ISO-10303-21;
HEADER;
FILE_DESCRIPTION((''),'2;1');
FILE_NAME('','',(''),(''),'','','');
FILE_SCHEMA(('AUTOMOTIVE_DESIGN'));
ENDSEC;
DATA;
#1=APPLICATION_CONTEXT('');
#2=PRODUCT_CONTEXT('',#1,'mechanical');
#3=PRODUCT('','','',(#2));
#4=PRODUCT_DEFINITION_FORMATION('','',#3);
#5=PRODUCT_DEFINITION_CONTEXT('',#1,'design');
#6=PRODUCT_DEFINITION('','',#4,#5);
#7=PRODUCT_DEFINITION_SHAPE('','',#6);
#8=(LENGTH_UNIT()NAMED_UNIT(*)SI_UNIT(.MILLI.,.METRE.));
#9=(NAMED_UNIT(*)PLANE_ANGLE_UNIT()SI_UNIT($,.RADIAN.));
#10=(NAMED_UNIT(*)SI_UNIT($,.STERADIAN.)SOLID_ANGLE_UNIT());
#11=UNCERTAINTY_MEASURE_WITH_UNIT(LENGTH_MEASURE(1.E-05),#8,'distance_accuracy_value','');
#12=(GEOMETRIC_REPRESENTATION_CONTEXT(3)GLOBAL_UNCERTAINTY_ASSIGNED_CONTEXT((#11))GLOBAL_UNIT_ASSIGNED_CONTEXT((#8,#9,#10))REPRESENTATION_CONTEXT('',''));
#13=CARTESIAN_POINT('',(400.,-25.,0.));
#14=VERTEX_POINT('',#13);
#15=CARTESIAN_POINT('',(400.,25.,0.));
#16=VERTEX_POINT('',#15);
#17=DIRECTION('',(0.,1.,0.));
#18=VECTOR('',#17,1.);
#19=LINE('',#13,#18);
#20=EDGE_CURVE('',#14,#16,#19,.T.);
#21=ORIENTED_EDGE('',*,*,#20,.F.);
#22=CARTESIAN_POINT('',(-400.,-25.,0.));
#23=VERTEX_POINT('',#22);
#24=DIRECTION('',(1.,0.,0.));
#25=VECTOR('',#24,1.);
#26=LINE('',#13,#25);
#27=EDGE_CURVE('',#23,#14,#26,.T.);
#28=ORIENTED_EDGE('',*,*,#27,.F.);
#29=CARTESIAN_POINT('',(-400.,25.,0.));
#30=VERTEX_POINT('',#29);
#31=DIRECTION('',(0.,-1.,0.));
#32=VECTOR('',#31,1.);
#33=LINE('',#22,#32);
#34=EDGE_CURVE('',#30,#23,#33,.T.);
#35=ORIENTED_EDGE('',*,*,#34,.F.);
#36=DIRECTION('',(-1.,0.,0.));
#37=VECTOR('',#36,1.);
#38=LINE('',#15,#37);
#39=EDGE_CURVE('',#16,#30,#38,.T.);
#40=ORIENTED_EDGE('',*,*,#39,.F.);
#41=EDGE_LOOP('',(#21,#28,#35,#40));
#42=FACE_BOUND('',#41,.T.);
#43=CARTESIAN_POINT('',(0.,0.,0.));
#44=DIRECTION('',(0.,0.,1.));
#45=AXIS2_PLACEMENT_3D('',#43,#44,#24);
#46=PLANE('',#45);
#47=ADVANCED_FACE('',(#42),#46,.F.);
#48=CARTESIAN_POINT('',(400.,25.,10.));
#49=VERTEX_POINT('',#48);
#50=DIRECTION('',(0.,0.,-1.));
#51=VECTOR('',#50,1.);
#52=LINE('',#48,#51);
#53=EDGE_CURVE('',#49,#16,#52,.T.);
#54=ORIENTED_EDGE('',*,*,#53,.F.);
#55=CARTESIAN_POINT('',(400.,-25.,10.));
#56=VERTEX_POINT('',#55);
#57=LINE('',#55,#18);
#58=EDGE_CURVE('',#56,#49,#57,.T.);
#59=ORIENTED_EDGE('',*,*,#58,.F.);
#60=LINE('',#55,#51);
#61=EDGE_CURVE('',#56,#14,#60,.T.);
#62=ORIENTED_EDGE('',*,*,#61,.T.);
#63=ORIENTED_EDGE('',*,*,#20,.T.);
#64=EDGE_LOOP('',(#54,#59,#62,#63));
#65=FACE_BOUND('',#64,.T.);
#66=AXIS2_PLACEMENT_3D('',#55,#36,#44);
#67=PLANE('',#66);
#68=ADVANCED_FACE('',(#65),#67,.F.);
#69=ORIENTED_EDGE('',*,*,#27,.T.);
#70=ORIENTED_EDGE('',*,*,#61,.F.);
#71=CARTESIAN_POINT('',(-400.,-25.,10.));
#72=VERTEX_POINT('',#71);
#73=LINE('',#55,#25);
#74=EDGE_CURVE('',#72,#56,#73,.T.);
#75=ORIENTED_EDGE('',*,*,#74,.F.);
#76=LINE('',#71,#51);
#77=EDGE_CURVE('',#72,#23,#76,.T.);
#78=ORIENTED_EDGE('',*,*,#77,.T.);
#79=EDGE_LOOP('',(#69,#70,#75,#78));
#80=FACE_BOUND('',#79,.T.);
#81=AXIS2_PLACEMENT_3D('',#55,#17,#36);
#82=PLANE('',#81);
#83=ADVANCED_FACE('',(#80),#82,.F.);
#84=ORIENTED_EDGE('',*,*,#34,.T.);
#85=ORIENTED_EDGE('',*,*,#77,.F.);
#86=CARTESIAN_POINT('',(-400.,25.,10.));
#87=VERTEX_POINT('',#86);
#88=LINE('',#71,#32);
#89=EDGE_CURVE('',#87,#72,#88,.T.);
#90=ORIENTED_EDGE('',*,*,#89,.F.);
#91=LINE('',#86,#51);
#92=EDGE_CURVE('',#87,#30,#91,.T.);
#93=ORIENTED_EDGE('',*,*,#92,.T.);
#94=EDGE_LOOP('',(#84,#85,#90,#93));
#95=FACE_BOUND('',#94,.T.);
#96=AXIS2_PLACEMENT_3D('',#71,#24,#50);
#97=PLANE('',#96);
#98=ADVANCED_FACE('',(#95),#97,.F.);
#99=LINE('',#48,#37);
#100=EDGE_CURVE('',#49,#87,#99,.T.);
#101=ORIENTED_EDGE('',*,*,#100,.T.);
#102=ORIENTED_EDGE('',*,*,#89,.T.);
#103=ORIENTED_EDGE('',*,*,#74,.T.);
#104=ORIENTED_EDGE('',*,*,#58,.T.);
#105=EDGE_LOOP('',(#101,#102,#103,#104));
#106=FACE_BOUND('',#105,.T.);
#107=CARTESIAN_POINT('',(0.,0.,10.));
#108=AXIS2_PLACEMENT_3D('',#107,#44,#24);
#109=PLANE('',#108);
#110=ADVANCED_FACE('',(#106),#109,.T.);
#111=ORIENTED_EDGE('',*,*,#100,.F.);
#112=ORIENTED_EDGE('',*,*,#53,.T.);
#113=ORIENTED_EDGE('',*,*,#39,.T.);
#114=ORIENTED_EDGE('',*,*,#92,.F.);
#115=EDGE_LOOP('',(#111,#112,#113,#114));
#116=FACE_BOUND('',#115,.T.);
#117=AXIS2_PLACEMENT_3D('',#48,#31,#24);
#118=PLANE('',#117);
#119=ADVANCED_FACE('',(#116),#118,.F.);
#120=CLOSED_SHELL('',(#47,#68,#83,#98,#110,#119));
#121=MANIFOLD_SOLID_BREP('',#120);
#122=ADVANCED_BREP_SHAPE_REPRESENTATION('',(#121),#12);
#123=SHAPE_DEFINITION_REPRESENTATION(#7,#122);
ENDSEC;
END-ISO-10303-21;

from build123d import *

# Parameters (mm, degrees)
IZIM1_W                     = 800
IZIM1_H                     = 50
Y_KSEKLIK_EKSTR_ZYON1_DEPTH = 10


with BuildPart() as part:
    # Çizim1 → Yükseklik-Ekstrüzyon1 (new body)
    with BuildSketch(Plane.XY):
        Rectangle(IZIM1_W, IZIM1_H)
    extrude(amount=Y_KSEKLIK_EKSTR_ZYON1_DEPTH)


solid = part.part
